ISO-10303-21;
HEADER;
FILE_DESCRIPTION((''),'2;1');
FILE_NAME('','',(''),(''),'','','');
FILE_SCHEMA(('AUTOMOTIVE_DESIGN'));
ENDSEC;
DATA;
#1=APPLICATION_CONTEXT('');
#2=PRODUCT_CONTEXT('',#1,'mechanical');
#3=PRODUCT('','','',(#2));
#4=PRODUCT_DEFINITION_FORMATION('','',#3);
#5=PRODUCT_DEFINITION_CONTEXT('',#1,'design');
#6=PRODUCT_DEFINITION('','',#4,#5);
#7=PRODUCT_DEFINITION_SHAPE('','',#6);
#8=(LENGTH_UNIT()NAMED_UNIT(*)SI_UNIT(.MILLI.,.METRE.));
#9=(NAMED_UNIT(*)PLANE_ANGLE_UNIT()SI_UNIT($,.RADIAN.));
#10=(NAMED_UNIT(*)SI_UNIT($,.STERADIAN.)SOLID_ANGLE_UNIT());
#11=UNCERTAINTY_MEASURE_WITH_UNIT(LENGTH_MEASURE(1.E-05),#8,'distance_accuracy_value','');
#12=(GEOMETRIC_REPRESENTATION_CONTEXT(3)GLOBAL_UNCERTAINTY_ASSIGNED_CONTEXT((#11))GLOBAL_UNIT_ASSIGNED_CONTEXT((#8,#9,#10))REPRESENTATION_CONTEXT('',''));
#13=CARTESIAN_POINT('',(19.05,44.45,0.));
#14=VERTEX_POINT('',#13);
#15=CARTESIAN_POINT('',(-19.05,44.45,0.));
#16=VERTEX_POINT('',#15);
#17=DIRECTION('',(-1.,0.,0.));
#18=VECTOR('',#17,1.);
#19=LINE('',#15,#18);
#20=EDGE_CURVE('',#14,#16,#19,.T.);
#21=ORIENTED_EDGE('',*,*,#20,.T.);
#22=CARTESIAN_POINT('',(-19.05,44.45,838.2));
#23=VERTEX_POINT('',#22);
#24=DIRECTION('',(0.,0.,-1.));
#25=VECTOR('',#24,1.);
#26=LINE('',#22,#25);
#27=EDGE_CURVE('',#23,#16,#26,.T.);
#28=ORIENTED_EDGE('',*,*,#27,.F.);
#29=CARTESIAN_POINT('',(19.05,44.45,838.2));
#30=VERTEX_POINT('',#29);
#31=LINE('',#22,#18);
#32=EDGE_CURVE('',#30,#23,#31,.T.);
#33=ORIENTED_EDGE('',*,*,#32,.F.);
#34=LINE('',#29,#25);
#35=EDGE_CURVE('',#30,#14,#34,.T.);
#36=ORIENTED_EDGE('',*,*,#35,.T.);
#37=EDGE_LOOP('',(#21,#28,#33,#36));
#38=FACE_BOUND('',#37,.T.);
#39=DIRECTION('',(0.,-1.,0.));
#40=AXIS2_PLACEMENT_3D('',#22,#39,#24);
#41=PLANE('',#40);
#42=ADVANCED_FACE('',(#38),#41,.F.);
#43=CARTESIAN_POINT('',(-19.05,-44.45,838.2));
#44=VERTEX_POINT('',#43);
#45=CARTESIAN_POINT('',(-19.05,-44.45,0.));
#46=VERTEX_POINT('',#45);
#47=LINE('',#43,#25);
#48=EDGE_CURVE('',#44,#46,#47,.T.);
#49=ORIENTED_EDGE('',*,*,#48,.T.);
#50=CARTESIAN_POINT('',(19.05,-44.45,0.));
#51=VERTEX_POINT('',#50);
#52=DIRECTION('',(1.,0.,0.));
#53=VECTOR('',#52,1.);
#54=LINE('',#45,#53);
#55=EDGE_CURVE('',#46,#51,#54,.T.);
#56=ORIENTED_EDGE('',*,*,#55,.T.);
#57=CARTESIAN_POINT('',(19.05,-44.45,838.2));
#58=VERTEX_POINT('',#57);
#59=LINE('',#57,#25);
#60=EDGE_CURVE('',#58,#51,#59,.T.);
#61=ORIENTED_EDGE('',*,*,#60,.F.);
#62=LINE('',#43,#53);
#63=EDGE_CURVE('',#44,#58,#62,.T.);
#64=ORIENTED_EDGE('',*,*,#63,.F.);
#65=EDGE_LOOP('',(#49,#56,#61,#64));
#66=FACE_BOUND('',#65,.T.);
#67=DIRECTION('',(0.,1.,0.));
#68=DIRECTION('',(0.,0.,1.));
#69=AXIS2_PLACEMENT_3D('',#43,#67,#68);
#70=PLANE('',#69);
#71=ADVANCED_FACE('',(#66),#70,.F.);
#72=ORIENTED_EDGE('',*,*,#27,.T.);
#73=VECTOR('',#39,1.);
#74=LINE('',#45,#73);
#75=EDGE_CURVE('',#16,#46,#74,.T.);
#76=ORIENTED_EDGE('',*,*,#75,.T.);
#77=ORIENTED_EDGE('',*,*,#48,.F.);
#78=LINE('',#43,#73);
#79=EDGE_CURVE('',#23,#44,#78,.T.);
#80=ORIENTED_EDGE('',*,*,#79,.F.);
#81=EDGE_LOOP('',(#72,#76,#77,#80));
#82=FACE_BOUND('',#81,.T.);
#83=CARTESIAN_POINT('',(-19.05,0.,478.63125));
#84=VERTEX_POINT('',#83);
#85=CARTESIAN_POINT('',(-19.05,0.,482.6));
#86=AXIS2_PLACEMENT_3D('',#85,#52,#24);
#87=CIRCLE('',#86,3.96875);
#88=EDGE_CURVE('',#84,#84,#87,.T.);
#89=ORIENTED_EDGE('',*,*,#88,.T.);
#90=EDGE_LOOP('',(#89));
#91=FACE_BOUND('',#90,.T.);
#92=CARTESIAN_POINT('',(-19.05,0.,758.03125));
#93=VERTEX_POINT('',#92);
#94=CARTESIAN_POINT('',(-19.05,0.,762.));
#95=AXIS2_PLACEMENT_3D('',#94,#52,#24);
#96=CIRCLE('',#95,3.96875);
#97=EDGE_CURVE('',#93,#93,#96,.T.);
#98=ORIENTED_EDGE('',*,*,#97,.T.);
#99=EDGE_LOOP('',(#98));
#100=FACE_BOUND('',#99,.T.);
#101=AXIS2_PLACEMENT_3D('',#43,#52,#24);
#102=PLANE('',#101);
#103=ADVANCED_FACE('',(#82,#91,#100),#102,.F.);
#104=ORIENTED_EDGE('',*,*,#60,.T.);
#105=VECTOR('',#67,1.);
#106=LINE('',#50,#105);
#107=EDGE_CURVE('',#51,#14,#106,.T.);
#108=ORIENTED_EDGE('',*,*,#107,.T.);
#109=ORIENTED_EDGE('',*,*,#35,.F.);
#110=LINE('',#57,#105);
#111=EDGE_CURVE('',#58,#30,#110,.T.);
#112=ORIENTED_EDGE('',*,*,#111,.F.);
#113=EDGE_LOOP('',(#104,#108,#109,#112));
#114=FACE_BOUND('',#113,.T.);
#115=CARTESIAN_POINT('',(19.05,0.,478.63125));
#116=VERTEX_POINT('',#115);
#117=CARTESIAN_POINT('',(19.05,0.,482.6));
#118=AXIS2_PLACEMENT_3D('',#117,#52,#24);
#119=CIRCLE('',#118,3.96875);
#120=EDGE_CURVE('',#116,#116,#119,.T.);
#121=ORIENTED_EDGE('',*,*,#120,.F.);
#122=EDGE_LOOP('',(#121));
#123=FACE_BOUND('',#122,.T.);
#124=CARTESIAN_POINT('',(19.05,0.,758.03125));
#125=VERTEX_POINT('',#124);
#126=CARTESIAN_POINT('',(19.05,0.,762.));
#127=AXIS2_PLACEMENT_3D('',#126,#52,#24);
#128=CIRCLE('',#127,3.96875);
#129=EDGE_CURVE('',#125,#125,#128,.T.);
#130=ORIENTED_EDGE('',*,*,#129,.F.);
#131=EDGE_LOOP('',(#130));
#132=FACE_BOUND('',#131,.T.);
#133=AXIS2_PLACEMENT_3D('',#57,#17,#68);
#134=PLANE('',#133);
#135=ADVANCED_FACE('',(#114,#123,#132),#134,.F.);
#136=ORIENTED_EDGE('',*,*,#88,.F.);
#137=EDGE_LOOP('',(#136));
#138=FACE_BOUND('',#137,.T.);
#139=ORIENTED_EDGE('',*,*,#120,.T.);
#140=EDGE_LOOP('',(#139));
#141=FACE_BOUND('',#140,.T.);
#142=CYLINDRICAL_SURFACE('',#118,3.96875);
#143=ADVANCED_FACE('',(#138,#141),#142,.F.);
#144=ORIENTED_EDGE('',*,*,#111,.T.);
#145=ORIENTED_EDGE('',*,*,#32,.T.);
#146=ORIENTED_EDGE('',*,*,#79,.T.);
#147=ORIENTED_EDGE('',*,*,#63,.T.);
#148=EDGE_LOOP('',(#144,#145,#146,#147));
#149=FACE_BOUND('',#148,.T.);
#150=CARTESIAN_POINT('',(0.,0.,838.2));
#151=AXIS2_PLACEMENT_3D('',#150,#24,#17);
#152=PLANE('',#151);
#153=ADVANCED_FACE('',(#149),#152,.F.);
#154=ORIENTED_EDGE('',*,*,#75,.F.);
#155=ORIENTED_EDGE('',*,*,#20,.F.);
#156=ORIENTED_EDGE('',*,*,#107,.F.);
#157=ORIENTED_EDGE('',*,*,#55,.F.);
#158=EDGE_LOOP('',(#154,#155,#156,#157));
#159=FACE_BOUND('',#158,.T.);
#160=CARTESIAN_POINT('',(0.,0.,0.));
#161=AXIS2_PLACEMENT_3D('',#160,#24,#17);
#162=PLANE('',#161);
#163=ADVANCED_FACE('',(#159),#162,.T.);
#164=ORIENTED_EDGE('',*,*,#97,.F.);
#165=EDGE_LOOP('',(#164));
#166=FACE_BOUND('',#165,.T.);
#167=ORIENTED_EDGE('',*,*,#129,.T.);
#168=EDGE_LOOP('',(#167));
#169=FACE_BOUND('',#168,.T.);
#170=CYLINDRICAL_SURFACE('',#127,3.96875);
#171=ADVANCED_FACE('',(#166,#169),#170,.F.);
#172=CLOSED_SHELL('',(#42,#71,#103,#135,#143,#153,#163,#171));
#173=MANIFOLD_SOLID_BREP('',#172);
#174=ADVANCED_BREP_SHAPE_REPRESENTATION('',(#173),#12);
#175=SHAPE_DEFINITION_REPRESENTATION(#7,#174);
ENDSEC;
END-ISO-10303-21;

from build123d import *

# Parameters (mm, degrees)
SKETCH1_W                      = 38.1
SKETCH1_H                      = 88.9
BOSS_EXTRUDE1_DEPTH            = 838.2
F_5_16_0_3125_DIAMETER_HOLE1_D = 7.9375


with BuildPart() as part:
    # Sketch1 → Boss-Extrude1 (new body)
    with BuildSketch(Plane.XY):
        Rectangle(SKETCH1_W, SKETCH1_H)
    extrude(amount=BOSS_EXTRUDE1_DEPTH)

    # 5/16 (0.3125) Diameter Hole1 (through all)
    with Locations(Plane(origin=(19.05, 0, 0), x_dir=(0, 0, -1), z_dir=(1, 0, 0))):
        with Locations((-482.6, 0), (-762, 0)):
            Hole(F_5_16_0_3125_DIAMETER_HOLE1_D / 2)


solid = part.part
